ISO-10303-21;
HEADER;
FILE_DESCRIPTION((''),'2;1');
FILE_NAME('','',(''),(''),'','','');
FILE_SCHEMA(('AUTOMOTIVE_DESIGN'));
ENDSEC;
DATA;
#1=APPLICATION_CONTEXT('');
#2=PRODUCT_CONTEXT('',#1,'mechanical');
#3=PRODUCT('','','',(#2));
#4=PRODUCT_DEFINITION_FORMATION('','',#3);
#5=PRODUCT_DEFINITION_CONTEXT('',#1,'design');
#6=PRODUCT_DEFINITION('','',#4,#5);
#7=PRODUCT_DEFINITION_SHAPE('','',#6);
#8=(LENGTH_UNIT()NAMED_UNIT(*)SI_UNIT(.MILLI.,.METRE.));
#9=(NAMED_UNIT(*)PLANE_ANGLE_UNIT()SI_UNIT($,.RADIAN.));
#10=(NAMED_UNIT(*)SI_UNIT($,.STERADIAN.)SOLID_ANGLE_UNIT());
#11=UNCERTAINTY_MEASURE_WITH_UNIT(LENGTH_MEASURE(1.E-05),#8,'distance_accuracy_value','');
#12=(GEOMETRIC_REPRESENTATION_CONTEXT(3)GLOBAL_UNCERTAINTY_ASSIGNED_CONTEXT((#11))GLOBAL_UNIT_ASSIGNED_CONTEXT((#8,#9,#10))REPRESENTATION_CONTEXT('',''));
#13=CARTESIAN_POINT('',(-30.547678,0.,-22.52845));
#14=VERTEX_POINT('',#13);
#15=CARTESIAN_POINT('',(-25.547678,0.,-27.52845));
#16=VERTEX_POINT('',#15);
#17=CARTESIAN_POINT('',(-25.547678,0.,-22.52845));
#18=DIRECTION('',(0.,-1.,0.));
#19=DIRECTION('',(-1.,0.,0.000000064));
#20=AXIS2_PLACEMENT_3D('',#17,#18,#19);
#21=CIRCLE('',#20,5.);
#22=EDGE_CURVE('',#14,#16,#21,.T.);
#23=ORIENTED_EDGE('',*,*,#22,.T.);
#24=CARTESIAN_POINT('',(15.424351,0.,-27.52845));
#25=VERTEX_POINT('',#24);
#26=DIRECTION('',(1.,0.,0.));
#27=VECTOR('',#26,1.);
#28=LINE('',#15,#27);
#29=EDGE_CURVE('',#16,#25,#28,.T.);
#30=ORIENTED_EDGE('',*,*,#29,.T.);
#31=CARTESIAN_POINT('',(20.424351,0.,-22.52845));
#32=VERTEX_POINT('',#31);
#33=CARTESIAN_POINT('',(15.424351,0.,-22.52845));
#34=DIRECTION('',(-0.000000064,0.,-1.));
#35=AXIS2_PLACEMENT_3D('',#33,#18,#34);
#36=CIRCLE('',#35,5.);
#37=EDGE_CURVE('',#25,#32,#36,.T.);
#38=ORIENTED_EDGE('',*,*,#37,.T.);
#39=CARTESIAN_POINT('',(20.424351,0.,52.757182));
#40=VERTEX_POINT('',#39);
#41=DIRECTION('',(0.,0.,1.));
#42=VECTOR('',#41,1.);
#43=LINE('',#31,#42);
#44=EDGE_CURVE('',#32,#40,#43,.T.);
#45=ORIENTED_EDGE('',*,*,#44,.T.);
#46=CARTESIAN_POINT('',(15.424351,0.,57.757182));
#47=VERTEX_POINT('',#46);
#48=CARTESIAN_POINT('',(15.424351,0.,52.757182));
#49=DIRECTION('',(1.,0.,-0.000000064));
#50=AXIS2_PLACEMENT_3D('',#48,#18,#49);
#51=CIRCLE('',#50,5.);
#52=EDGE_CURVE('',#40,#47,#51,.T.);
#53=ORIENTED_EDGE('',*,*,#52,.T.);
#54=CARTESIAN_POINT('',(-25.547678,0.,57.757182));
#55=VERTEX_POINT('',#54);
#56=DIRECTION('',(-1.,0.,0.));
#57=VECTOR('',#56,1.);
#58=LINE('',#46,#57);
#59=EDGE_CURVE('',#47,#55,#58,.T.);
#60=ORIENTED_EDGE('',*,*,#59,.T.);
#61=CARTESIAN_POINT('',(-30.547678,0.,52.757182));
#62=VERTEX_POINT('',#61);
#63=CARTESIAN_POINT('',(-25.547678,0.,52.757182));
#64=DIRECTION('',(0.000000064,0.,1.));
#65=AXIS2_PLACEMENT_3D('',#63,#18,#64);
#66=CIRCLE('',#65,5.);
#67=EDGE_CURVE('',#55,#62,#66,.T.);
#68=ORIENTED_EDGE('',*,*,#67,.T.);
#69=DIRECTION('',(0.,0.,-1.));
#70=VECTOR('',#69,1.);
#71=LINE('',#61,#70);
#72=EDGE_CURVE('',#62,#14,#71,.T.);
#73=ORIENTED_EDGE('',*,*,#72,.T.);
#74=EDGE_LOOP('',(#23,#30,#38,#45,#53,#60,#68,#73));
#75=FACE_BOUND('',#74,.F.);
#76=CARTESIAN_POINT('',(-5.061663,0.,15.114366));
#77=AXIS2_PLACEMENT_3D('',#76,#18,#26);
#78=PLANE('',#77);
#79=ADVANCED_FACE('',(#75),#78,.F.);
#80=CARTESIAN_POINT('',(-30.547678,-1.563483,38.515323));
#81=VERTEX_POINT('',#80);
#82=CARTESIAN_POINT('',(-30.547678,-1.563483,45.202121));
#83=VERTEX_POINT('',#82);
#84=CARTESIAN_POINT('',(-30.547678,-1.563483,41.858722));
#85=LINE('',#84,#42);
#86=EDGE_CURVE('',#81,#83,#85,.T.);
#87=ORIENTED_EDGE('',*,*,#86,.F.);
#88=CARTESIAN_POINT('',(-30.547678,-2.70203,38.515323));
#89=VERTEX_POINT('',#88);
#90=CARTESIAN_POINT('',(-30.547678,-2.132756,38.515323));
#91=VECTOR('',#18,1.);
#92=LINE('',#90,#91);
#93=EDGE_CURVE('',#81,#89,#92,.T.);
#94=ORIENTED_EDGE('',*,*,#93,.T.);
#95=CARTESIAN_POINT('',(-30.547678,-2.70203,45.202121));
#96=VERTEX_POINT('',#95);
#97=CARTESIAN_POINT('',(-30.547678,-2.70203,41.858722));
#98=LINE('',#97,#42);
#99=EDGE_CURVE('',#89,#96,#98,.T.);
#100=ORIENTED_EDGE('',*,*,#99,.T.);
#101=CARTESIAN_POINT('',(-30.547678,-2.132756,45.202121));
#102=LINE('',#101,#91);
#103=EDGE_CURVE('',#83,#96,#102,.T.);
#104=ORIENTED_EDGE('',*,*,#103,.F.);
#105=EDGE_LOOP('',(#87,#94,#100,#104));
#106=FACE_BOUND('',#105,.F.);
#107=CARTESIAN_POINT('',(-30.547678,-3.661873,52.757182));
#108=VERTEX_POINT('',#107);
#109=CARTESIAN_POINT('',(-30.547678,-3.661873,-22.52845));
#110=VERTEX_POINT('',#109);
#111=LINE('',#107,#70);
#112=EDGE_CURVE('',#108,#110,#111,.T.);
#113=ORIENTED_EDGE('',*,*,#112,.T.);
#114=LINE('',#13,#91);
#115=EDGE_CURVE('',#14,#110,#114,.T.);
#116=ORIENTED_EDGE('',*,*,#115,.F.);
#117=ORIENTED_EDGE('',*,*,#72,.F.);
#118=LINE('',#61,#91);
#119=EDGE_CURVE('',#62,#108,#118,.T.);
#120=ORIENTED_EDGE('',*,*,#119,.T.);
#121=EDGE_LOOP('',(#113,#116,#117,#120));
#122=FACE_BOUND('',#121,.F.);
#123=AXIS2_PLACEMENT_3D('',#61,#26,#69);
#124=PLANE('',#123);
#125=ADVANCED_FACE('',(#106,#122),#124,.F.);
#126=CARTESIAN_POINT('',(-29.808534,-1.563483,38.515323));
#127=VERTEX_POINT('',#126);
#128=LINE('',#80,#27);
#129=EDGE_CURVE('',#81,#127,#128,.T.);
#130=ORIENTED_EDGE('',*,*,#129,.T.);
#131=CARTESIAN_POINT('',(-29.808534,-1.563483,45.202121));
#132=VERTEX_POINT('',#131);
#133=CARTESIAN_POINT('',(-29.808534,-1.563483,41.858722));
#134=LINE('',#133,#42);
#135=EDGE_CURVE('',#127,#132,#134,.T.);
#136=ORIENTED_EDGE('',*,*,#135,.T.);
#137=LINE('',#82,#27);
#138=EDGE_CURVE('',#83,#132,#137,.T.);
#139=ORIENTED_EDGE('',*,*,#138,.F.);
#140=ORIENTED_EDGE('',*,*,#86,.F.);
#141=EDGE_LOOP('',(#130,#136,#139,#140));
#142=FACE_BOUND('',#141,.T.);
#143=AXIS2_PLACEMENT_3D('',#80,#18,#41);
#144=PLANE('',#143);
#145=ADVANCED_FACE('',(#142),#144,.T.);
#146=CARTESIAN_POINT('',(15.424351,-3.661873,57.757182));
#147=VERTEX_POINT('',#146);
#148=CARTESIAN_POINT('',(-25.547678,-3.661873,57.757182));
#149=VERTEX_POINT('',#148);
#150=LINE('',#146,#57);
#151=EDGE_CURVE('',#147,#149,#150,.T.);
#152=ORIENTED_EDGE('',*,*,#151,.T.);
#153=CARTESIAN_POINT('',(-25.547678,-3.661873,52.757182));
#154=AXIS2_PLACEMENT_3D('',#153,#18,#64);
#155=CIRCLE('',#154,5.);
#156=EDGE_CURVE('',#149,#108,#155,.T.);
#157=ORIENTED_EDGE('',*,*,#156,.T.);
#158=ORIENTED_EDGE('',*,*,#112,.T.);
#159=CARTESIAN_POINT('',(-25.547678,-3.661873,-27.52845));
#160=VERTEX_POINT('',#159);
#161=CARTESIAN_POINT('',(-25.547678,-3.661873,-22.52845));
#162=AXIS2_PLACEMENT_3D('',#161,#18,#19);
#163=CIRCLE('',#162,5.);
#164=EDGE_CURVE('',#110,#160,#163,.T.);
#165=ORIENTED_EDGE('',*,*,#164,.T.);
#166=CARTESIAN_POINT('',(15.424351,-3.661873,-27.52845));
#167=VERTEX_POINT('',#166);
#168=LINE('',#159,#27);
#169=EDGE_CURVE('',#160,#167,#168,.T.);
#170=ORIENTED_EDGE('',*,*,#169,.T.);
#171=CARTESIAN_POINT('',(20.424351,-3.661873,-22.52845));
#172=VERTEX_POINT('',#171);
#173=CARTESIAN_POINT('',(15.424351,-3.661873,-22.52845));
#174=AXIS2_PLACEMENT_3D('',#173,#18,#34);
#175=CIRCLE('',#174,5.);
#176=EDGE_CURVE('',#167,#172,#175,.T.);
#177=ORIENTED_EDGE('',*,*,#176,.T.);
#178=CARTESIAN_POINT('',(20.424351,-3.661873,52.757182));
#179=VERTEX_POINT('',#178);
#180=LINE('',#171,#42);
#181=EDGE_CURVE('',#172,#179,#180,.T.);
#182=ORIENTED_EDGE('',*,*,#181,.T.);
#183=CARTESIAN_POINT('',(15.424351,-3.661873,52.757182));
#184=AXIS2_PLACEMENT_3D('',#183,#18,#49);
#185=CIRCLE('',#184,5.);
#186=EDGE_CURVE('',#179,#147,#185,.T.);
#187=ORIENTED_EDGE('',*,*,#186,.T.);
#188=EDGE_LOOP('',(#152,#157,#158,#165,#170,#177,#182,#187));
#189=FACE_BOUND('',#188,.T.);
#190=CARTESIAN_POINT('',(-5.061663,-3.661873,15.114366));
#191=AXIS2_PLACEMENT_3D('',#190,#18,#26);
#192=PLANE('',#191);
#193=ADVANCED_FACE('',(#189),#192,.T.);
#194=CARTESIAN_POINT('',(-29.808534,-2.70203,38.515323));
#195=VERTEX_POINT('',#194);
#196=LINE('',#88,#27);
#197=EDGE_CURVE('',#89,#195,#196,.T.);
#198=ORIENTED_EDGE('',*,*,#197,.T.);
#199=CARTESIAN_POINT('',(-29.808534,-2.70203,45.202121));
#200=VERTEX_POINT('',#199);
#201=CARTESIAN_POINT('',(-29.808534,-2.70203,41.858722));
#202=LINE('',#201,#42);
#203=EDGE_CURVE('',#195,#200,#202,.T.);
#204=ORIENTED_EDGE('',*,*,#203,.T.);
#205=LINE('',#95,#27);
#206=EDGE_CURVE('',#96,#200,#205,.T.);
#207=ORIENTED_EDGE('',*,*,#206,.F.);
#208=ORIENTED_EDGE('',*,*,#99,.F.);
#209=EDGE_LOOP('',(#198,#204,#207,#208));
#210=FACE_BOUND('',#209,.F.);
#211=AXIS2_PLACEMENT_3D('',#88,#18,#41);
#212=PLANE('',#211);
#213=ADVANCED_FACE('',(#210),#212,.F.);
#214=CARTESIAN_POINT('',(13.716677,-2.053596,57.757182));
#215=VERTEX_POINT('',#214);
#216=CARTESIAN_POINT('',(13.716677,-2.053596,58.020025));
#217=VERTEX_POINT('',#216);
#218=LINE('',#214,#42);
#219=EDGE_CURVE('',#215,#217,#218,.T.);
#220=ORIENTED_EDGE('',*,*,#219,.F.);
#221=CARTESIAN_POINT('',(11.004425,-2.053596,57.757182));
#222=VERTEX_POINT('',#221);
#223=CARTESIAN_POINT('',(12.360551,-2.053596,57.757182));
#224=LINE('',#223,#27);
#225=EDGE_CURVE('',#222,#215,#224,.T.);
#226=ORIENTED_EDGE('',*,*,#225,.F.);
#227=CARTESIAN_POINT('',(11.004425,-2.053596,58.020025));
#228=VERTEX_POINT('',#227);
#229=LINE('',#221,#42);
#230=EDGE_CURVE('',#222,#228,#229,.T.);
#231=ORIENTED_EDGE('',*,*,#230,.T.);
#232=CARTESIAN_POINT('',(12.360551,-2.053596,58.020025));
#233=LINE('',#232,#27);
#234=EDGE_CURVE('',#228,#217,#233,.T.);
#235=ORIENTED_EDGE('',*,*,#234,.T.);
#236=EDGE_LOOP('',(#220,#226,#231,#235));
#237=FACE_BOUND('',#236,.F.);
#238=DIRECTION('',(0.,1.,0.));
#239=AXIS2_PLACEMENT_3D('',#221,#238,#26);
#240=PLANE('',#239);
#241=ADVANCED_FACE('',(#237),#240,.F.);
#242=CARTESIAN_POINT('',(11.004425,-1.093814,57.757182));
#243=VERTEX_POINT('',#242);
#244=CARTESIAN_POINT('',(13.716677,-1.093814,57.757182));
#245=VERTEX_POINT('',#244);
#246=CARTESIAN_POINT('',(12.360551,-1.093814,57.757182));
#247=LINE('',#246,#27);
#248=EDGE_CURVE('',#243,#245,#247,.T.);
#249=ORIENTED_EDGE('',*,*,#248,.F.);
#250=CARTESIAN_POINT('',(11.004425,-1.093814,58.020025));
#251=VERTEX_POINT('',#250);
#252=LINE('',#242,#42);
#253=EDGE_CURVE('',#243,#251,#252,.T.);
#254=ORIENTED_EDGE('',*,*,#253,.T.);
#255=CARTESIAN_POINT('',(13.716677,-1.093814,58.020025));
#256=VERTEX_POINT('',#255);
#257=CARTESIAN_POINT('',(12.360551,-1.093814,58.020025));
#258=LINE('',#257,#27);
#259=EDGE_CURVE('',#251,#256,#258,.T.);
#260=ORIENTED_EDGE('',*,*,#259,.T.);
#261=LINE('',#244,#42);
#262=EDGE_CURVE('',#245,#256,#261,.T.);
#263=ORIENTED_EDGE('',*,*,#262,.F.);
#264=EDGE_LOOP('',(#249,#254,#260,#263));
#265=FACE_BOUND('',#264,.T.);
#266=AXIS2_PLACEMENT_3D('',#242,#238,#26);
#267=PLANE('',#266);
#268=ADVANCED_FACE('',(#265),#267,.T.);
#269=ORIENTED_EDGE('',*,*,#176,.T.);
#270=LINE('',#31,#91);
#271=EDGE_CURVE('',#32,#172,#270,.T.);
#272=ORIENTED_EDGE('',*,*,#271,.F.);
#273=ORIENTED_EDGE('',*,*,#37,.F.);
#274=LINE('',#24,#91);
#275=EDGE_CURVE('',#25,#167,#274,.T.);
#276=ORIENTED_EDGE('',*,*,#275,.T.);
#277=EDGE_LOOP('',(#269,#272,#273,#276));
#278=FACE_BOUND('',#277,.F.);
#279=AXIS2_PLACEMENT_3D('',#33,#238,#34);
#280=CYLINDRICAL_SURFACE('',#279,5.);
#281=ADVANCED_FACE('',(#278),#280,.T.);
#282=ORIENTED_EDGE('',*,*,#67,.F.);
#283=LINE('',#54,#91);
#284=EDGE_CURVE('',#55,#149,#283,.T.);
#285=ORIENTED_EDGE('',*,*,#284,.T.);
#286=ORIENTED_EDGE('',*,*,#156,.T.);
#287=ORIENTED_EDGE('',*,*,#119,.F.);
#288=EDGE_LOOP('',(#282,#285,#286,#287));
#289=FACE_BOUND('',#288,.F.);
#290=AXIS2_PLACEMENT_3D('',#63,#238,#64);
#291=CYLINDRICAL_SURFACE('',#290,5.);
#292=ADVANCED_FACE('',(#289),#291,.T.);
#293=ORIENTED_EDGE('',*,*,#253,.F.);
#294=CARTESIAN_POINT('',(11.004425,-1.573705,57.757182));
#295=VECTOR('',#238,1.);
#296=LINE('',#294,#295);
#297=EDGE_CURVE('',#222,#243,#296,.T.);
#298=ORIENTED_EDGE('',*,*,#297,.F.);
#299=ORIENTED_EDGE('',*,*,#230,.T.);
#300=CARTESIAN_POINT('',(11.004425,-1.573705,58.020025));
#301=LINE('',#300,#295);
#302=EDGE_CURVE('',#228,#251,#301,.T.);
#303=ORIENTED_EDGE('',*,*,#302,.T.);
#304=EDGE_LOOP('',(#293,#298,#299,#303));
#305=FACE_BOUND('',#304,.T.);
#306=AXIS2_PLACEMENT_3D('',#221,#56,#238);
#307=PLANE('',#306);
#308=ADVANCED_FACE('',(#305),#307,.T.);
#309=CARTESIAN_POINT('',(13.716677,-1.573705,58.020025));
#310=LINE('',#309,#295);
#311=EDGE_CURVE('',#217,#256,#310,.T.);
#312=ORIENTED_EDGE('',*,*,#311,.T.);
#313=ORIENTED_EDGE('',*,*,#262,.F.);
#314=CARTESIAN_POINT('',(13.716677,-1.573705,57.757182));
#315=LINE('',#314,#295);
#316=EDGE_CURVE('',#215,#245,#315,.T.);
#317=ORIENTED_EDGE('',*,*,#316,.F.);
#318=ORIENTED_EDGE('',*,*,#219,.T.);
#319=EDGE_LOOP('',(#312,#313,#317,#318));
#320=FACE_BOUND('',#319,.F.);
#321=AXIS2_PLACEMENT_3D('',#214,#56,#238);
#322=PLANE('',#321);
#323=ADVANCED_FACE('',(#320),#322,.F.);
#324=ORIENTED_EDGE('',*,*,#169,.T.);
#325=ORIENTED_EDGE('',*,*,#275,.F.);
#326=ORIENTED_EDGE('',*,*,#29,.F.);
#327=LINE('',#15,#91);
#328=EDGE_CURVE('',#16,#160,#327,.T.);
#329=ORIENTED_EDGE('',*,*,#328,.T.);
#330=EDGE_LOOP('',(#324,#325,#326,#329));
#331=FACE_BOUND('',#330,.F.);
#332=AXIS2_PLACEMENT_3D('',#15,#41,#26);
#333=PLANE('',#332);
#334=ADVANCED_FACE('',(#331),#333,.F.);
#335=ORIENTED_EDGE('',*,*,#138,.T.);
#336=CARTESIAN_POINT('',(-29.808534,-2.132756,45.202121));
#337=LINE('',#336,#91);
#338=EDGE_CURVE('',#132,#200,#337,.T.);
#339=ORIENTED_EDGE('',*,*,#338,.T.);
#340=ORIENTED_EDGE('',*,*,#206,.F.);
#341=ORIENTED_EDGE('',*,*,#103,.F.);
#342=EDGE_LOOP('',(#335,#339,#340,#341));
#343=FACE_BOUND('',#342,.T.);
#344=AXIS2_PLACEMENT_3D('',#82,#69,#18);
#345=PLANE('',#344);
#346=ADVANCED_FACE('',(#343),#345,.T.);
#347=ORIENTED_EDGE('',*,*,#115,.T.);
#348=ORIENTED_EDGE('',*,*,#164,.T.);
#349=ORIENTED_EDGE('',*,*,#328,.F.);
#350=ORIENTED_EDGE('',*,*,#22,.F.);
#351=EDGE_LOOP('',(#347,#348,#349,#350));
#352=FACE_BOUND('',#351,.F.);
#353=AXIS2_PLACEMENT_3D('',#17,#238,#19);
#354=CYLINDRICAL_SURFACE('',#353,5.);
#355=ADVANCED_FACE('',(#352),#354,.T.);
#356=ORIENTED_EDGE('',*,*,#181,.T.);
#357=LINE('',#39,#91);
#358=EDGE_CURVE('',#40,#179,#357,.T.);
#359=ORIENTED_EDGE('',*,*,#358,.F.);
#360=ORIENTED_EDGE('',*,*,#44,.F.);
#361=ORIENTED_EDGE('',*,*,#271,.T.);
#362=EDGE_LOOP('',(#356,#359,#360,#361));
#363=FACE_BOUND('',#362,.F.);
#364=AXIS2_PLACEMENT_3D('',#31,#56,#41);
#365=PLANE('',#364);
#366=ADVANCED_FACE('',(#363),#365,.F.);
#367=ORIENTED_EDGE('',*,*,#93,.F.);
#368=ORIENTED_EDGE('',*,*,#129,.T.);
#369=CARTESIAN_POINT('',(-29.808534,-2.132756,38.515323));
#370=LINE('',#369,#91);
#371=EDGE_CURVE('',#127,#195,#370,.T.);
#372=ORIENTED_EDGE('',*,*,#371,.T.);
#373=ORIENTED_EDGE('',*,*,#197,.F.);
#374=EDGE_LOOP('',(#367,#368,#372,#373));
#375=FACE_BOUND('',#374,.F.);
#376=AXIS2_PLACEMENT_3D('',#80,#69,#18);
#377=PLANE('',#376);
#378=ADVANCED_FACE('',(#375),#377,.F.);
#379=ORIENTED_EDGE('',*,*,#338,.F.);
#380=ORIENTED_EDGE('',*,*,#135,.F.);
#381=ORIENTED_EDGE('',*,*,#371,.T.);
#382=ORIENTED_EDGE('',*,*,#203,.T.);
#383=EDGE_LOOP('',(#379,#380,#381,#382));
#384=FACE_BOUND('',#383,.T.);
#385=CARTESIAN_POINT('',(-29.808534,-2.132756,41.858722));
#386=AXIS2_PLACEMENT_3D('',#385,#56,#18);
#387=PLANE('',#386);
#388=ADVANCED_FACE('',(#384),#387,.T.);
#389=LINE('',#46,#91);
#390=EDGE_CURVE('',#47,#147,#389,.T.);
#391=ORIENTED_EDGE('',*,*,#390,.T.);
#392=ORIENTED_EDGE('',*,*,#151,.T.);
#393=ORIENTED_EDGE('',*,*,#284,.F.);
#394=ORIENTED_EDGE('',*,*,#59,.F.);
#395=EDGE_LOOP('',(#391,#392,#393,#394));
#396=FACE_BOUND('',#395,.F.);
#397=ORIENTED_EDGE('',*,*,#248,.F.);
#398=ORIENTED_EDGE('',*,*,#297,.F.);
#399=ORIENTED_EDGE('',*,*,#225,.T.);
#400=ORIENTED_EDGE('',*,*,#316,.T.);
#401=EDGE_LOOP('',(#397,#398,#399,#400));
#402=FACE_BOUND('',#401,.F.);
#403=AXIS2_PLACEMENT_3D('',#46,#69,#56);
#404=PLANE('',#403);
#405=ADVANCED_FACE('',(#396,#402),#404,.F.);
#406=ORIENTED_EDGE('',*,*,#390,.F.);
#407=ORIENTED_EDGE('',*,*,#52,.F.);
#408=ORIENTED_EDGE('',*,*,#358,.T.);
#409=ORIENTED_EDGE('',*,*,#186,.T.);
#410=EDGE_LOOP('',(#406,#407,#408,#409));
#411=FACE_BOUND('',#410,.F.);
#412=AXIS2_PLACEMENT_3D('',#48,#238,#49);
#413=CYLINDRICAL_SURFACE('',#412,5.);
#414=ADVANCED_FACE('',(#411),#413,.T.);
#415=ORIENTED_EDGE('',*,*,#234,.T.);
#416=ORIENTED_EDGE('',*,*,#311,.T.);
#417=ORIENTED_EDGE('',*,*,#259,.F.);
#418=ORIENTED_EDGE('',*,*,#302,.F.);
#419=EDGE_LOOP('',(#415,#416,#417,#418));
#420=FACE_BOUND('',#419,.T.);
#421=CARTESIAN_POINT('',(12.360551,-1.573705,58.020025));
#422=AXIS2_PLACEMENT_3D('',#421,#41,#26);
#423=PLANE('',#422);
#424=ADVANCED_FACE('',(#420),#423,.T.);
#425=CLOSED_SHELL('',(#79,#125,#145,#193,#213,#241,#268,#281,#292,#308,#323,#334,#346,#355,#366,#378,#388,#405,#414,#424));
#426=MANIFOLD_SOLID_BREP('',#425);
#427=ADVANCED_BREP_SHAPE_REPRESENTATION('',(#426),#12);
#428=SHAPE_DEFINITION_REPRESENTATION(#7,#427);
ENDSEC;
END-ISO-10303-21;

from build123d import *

# Parameters (mm, degrees)
F1_DEPTH = 3.661873
F2_W     = 1.138547
F2_H     = 6.686799
F3_DEPTH = 0.739144
F4_W     = 2.712251
F4_H     = 0.959781
F5_DEPTH = 0.262843


with BuildPart() as f1:
    # F0 (on Front) → F1 (new body)
    with BuildSketch(Plane.XZ):
        with BuildLine():
            ThreePointArc((20.424351, 52.757182), (18.959885, 56.292716), (15.424351, 57.757182))
            Line((15.424351, 57.757182), (-25.547678, 57.757182))
            ThreePointArc((-25.547678, 57.757182), (-29.083212, 56.292716), (-30.547678, 52.757182))
            Line((-30.547678, 52.757182), (-30.547678, -22.52845))
            ThreePointArc((-30.547678, -22.52845), (-29.083212, -26.063984), (-25.547678, -27.52845))
            Line((-25.547678, -27.52845), (15.424351, -27.52845))
            ThreePointArc((15.424351, -27.52845), (18.959885, -26.063984), (20.424351, -22.52845))
            Line((20.424351, -22.52845), (20.424351, 52.757182))
        make_face()
    extrude(amount=F1_DEPTH)

    # F2 (on face) → F3 (cut)
    with BuildSketch(Plane(origin=(-30.547678, 0, 0), x_dir=(0, -1, 0), z_dir=(-1, 0, 0))):
        with Locations((2.132756, 41.858722)):
            Rectangle(F2_W, F2_H)
    extrude(amount=-F3_DEPTH, mode=Mode.SUBTRACT)

    # F4 (on face) → F5 (join)
    with BuildSketch(Plane.XY.offset(57.757182)):
        with Locations((12.360551, -1.573705)):
            Rectangle(F4_W, F4_H)
    extrude(amount=F5_DEPTH)


solid = f1.part
